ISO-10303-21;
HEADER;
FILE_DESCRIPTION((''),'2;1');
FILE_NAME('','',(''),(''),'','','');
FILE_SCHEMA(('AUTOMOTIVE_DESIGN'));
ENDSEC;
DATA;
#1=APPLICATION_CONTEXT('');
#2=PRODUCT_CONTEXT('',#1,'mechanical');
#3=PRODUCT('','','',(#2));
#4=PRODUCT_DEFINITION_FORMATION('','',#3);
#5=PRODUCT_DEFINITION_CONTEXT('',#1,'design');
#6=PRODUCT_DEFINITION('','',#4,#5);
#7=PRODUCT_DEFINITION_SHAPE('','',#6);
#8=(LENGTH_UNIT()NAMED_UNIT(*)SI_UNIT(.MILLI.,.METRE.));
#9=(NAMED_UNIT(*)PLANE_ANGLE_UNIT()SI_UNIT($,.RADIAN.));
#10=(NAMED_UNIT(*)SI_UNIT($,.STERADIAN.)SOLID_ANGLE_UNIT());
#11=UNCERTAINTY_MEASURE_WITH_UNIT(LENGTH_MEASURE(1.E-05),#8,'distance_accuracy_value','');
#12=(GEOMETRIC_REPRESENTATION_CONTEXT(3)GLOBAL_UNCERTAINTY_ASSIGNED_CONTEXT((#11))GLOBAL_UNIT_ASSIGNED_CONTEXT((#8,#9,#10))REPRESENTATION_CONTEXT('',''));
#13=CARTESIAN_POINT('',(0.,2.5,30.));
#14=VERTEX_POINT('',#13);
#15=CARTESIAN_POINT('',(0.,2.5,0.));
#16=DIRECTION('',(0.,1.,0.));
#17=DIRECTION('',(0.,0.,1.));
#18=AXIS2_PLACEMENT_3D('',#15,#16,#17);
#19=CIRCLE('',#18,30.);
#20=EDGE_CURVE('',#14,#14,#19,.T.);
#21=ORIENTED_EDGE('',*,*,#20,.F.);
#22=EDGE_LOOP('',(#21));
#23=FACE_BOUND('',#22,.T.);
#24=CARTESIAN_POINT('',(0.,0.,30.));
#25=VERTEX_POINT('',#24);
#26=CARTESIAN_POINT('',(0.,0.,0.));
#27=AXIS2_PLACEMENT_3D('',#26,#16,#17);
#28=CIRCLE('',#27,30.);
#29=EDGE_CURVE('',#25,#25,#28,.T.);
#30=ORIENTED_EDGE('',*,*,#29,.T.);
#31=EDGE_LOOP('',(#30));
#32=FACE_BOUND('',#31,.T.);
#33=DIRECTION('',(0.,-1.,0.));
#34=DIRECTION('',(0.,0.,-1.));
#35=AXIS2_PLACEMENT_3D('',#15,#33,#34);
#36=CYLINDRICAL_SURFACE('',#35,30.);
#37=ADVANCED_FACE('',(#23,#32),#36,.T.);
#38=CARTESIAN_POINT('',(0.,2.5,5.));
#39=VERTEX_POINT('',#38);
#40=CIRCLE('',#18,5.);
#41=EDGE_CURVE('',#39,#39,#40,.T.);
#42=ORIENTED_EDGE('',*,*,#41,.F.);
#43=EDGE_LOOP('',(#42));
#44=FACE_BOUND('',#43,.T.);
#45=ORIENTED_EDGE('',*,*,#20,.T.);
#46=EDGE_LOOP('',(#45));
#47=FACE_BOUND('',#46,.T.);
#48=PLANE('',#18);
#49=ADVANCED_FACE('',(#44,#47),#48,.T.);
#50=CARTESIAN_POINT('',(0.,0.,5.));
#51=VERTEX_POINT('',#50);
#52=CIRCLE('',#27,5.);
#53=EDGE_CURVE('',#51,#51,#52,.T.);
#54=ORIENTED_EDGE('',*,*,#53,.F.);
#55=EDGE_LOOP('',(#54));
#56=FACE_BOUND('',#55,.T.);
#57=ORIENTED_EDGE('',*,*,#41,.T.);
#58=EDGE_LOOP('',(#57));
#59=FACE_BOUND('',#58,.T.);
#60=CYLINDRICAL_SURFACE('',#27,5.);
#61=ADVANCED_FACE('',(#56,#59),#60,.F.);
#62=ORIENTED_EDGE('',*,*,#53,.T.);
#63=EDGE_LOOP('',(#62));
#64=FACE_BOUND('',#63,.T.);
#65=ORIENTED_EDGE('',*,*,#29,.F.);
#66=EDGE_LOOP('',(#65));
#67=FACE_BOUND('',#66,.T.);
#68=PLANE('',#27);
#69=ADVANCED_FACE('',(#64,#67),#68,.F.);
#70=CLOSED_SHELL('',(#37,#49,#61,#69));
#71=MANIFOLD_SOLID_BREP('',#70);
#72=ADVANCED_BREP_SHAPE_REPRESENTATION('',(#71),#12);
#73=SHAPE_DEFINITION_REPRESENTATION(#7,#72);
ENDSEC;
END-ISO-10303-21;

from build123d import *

# Parameters (mm, degrees)
SKETCH1_R           = 30
BOSS_EXTRUDE2_DEPTH = 2.5
SKETCH2_R           = 5
CUT_EXTRUDE2_DEPTH  = 2.5


with BuildPart() as part:
    # Sketch1 → Boss-Extrude2 (new body)
    with BuildSketch(Plane(origin=(0, 0, 0), x_dir=(1, 0, 0), z_dir=(0, 1, 0))):
        Circle(SKETCH1_R)
    extrude(amount=BOSS_EXTRUDE2_DEPTH)

    # Sketch2 → Cut-Extrude2 (cut)
    with BuildSketch(Plane(origin=(0, 2.5, 0), x_dir=(1, 0, 0), z_dir=(0, 1, 0))):
        Circle(SKETCH2_R)
    extrude(amount=-CUT_EXTRUDE2_DEPTH, mode=Mode.SUBTRACT)


solid = part.part
